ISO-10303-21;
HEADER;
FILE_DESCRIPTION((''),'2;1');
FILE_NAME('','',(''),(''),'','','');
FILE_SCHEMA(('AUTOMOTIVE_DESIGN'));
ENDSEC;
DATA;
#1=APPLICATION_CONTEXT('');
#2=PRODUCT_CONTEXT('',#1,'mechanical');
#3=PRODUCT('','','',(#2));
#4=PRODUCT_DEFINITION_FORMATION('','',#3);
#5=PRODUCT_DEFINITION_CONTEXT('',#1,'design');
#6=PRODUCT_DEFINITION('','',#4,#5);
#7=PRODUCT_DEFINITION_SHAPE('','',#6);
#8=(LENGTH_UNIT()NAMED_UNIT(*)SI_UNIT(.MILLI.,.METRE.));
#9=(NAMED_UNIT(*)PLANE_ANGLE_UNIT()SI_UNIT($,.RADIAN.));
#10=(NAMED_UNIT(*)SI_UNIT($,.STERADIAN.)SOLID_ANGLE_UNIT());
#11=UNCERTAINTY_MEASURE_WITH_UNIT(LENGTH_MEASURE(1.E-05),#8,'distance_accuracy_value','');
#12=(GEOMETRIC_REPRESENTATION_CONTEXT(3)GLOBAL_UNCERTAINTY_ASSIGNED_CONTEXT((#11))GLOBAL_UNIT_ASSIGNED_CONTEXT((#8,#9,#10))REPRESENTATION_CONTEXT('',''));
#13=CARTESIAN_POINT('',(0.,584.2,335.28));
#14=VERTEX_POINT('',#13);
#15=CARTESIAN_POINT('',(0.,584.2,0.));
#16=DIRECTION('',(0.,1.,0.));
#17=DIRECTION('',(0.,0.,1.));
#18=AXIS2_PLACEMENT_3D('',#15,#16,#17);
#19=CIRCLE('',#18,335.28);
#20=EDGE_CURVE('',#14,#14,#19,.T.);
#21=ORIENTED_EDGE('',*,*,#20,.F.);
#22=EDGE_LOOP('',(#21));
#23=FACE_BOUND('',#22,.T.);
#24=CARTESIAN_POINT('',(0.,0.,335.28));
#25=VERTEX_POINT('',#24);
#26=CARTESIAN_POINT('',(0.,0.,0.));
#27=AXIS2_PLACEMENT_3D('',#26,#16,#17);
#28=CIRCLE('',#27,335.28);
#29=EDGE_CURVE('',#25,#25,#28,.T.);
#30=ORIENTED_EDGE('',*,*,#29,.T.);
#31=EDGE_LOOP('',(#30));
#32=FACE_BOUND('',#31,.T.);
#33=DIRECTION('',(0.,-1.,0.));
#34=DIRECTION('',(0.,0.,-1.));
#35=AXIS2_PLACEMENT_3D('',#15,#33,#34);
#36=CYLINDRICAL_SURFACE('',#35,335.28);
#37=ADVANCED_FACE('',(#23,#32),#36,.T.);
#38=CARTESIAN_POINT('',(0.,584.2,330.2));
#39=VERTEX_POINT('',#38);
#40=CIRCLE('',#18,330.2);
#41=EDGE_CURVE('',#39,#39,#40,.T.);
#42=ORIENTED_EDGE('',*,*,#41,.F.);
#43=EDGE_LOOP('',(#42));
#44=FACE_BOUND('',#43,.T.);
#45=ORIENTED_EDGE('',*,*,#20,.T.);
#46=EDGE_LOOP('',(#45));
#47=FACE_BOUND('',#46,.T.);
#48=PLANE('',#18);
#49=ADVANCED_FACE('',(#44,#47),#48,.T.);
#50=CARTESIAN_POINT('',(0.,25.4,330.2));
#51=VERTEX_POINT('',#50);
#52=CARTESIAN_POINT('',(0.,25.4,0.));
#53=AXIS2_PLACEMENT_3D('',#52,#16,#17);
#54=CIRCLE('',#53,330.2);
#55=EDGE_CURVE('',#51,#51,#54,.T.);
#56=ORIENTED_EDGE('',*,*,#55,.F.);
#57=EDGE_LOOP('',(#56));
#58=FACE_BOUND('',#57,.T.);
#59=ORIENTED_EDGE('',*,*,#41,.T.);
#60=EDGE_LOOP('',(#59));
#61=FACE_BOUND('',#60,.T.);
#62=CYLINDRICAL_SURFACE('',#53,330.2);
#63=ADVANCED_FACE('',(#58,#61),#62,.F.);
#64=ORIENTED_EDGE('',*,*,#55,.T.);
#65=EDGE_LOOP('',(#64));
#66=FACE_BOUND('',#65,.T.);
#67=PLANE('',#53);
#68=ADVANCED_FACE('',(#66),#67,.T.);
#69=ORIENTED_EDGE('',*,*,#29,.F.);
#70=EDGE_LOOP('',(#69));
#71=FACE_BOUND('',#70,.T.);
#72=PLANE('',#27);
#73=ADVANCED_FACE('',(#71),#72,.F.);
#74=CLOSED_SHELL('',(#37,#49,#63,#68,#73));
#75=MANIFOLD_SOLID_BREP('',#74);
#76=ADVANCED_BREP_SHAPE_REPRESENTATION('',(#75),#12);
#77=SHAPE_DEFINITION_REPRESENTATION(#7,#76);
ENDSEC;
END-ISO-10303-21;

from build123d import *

# Parameters (mm, degrees)
SKETCH1_R           = 335.28
BOSS_EXTRUDE2_DEPTH = 584.2
SKETCH2_R           = 330.2
CUT_EXTRUDE2_DEPTH  = 558.8


with BuildPart() as part:
    # Sketch1 → Boss-Extrude2 (new body)
    with BuildSketch(Plane(origin=(0, 0, 0), x_dir=(1, 0, 0), z_dir=(0, 1, 0))):
        with Locations(Location((0, 0, 0), (0, 0, 270))):
            Circle(SKETCH1_R)
    extrude(amount=BOSS_EXTRUDE2_DEPTH)

    # Sketch2 → Cut-Extrude2 (cut)
    with BuildSketch(Plane(origin=(0, 584.2, 0), x_dir=(1, 0, 0), z_dir=(0, 1, 0))):
        with Locations(Location((0, 0, 0), (0, 0, 270))):
            Circle(SKETCH2_R)
    extrude(amount=-CUT_EXTRUDE2_DEPTH, mode=Mode.SUBTRACT)


solid = part.part
